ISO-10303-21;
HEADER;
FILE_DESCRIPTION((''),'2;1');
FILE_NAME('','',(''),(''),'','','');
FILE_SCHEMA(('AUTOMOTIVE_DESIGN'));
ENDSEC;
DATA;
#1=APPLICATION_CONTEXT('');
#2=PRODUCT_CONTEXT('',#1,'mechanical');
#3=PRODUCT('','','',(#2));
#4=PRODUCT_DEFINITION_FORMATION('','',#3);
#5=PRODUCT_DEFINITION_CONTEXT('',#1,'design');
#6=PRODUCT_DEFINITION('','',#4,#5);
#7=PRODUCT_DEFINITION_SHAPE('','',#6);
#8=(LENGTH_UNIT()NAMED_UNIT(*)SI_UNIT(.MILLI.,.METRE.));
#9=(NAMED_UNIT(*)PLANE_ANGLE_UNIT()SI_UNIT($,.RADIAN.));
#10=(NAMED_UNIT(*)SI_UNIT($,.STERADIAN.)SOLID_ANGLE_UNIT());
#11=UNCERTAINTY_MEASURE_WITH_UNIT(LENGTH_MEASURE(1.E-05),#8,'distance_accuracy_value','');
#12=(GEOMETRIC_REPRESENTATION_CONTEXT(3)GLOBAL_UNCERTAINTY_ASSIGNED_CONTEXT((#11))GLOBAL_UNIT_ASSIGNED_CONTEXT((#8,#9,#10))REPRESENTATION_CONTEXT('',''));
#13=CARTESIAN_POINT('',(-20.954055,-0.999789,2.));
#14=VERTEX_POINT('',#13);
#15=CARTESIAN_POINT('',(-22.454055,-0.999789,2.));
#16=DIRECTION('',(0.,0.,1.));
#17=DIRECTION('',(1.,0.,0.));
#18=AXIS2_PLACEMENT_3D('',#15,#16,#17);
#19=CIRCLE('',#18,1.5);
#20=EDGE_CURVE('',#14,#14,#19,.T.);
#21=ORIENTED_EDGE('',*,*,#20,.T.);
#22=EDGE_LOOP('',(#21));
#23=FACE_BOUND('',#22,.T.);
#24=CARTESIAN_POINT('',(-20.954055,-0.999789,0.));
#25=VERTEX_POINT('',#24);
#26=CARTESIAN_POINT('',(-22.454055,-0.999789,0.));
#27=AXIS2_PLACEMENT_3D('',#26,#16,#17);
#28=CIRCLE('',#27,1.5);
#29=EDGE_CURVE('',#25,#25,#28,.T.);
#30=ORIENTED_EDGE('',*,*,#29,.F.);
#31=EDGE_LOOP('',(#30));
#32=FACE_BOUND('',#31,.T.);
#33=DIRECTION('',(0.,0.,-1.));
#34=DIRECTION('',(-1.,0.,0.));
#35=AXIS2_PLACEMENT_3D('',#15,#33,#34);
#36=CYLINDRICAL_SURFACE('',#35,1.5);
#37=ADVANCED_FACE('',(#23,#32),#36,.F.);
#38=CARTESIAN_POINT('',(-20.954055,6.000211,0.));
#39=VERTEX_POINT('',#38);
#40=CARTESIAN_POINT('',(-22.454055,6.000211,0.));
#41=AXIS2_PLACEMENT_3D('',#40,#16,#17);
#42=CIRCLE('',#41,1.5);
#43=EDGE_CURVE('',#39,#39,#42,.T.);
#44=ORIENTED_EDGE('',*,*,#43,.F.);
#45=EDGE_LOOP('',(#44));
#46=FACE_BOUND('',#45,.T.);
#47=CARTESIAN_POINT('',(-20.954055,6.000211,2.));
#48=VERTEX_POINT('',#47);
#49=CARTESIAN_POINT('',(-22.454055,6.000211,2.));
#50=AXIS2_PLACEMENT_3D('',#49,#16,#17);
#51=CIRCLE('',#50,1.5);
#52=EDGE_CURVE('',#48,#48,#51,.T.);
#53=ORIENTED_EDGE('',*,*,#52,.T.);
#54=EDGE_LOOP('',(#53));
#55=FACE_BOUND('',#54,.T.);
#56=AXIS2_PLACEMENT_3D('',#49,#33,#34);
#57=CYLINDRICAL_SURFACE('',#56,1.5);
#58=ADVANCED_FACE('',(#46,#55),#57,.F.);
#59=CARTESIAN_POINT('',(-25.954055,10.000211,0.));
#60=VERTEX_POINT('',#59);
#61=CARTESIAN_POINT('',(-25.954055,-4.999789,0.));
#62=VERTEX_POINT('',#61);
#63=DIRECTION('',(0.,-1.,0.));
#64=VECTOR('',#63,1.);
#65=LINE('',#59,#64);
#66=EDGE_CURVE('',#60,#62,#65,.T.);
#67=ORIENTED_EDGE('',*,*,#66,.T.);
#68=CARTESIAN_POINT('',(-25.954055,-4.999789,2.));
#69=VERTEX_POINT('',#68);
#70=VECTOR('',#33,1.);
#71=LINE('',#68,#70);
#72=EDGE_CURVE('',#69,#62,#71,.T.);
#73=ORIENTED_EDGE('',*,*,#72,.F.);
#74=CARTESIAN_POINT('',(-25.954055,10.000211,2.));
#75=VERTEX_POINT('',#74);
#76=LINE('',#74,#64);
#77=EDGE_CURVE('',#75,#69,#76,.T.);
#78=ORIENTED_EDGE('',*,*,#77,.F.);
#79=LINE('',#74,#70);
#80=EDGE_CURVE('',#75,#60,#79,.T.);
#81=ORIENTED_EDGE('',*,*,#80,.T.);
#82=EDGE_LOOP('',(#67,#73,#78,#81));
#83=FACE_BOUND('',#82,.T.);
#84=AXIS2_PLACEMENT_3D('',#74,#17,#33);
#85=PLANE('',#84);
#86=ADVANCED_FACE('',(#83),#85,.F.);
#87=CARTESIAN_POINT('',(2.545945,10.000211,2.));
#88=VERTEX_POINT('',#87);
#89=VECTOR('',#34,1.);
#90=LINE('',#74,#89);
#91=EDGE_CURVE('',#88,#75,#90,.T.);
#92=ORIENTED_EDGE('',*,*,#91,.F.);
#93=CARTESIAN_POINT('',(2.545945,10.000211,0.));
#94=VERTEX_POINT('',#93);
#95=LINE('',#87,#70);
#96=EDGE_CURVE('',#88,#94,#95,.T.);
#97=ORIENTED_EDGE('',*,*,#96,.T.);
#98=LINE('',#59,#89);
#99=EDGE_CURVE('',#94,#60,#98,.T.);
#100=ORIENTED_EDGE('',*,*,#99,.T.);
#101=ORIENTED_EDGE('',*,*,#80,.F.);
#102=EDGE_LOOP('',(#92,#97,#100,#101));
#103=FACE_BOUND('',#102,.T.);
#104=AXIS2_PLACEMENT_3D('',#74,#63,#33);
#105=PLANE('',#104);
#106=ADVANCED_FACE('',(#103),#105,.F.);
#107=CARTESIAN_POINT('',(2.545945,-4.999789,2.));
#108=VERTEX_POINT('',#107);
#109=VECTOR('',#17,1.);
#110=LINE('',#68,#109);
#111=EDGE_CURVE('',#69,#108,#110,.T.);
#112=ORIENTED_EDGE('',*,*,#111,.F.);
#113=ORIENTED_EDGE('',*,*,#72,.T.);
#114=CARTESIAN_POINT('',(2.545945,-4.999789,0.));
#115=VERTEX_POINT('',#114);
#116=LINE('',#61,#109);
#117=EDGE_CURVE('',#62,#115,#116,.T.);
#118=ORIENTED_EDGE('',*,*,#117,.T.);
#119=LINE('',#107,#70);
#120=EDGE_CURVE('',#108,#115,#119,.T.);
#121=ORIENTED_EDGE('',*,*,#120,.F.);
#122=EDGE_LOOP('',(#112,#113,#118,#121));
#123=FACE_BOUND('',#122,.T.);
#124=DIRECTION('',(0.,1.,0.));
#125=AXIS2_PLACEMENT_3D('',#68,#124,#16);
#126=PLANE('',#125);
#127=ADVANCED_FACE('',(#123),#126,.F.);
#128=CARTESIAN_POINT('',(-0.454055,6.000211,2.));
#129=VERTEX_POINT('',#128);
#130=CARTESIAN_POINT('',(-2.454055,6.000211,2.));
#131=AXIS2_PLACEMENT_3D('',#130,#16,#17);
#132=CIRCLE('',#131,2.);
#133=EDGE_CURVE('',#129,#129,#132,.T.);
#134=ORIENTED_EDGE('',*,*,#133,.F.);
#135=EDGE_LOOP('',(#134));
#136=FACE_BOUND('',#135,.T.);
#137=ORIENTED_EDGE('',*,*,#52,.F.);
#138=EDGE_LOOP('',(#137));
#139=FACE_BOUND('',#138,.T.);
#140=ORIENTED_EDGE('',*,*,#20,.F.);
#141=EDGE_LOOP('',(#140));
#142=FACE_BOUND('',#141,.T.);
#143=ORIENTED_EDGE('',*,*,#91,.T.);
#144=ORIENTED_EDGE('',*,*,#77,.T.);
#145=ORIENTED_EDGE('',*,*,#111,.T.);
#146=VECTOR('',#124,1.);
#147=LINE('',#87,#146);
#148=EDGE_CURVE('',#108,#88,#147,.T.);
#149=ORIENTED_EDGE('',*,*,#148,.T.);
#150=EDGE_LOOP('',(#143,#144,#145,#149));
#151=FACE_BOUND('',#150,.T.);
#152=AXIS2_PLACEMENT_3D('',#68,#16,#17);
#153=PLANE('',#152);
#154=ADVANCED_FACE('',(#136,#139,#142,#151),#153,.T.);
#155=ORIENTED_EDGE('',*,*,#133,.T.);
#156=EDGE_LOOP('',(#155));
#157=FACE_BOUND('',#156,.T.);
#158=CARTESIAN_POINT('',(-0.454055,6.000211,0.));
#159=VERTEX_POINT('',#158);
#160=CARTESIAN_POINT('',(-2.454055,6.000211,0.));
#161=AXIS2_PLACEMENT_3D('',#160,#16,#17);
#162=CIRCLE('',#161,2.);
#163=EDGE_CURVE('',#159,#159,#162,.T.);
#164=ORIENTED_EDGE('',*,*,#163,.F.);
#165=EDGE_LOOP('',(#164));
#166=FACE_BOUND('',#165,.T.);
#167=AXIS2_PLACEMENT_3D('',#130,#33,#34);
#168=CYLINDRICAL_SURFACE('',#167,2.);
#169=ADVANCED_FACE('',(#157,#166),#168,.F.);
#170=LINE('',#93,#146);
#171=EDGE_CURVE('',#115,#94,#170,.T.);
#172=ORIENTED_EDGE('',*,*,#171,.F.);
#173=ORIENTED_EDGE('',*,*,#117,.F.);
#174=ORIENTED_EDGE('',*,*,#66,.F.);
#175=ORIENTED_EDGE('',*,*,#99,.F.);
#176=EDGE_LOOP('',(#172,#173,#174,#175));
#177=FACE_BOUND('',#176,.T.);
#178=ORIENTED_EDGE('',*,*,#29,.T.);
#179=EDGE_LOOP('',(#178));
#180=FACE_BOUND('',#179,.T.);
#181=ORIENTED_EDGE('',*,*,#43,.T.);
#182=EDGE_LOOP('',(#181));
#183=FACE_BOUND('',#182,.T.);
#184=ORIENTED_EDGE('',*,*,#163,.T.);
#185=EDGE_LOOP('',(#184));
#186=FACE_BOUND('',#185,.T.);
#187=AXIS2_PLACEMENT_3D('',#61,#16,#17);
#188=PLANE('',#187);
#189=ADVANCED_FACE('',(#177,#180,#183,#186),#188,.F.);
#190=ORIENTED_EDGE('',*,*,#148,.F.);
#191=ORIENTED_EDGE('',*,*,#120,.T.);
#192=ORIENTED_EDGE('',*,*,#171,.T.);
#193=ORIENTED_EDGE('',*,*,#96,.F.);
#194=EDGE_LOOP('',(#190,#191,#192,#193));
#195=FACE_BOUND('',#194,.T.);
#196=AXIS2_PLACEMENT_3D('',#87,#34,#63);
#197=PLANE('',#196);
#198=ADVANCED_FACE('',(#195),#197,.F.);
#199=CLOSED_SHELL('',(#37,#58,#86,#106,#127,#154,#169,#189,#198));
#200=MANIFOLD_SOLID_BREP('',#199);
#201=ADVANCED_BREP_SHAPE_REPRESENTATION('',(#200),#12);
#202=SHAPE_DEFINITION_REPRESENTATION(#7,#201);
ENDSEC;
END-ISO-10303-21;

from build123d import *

# Parameters (mm, degrees)
ESQUISSE1_W      = 28.5
ESQUISSE1_H      = 15
ESQUISSE1_R      = 1.5
ESQUISSE1_R_2    = 2
EXTRUSION1_DEPTH = 2


with BuildPart() as part:
    # Esquisse1 → Extrusion1 (new body)
    with BuildSketch(Plane.XY):
        with Locations((-11.704054801, 2.500210526)):
            Rectangle(ESQUISSE1_W, ESQUISSE1_H)
        with Locations((-22.454054801, -0.999789474)):
            Circle(ESQUISSE1_R, mode=Mode.SUBTRACT)
        with Locations((-22.454054801, 6.000210526)):
            Circle(ESQUISSE1_R, mode=Mode.SUBTRACT)
        with Locations((-2.454054801, 6.000210526)):
            Circle(ESQUISSE1_R_2, mode=Mode.SUBTRACT)
    extrude(amount=EXTRUSION1_DEPTH)


solid = part.part
